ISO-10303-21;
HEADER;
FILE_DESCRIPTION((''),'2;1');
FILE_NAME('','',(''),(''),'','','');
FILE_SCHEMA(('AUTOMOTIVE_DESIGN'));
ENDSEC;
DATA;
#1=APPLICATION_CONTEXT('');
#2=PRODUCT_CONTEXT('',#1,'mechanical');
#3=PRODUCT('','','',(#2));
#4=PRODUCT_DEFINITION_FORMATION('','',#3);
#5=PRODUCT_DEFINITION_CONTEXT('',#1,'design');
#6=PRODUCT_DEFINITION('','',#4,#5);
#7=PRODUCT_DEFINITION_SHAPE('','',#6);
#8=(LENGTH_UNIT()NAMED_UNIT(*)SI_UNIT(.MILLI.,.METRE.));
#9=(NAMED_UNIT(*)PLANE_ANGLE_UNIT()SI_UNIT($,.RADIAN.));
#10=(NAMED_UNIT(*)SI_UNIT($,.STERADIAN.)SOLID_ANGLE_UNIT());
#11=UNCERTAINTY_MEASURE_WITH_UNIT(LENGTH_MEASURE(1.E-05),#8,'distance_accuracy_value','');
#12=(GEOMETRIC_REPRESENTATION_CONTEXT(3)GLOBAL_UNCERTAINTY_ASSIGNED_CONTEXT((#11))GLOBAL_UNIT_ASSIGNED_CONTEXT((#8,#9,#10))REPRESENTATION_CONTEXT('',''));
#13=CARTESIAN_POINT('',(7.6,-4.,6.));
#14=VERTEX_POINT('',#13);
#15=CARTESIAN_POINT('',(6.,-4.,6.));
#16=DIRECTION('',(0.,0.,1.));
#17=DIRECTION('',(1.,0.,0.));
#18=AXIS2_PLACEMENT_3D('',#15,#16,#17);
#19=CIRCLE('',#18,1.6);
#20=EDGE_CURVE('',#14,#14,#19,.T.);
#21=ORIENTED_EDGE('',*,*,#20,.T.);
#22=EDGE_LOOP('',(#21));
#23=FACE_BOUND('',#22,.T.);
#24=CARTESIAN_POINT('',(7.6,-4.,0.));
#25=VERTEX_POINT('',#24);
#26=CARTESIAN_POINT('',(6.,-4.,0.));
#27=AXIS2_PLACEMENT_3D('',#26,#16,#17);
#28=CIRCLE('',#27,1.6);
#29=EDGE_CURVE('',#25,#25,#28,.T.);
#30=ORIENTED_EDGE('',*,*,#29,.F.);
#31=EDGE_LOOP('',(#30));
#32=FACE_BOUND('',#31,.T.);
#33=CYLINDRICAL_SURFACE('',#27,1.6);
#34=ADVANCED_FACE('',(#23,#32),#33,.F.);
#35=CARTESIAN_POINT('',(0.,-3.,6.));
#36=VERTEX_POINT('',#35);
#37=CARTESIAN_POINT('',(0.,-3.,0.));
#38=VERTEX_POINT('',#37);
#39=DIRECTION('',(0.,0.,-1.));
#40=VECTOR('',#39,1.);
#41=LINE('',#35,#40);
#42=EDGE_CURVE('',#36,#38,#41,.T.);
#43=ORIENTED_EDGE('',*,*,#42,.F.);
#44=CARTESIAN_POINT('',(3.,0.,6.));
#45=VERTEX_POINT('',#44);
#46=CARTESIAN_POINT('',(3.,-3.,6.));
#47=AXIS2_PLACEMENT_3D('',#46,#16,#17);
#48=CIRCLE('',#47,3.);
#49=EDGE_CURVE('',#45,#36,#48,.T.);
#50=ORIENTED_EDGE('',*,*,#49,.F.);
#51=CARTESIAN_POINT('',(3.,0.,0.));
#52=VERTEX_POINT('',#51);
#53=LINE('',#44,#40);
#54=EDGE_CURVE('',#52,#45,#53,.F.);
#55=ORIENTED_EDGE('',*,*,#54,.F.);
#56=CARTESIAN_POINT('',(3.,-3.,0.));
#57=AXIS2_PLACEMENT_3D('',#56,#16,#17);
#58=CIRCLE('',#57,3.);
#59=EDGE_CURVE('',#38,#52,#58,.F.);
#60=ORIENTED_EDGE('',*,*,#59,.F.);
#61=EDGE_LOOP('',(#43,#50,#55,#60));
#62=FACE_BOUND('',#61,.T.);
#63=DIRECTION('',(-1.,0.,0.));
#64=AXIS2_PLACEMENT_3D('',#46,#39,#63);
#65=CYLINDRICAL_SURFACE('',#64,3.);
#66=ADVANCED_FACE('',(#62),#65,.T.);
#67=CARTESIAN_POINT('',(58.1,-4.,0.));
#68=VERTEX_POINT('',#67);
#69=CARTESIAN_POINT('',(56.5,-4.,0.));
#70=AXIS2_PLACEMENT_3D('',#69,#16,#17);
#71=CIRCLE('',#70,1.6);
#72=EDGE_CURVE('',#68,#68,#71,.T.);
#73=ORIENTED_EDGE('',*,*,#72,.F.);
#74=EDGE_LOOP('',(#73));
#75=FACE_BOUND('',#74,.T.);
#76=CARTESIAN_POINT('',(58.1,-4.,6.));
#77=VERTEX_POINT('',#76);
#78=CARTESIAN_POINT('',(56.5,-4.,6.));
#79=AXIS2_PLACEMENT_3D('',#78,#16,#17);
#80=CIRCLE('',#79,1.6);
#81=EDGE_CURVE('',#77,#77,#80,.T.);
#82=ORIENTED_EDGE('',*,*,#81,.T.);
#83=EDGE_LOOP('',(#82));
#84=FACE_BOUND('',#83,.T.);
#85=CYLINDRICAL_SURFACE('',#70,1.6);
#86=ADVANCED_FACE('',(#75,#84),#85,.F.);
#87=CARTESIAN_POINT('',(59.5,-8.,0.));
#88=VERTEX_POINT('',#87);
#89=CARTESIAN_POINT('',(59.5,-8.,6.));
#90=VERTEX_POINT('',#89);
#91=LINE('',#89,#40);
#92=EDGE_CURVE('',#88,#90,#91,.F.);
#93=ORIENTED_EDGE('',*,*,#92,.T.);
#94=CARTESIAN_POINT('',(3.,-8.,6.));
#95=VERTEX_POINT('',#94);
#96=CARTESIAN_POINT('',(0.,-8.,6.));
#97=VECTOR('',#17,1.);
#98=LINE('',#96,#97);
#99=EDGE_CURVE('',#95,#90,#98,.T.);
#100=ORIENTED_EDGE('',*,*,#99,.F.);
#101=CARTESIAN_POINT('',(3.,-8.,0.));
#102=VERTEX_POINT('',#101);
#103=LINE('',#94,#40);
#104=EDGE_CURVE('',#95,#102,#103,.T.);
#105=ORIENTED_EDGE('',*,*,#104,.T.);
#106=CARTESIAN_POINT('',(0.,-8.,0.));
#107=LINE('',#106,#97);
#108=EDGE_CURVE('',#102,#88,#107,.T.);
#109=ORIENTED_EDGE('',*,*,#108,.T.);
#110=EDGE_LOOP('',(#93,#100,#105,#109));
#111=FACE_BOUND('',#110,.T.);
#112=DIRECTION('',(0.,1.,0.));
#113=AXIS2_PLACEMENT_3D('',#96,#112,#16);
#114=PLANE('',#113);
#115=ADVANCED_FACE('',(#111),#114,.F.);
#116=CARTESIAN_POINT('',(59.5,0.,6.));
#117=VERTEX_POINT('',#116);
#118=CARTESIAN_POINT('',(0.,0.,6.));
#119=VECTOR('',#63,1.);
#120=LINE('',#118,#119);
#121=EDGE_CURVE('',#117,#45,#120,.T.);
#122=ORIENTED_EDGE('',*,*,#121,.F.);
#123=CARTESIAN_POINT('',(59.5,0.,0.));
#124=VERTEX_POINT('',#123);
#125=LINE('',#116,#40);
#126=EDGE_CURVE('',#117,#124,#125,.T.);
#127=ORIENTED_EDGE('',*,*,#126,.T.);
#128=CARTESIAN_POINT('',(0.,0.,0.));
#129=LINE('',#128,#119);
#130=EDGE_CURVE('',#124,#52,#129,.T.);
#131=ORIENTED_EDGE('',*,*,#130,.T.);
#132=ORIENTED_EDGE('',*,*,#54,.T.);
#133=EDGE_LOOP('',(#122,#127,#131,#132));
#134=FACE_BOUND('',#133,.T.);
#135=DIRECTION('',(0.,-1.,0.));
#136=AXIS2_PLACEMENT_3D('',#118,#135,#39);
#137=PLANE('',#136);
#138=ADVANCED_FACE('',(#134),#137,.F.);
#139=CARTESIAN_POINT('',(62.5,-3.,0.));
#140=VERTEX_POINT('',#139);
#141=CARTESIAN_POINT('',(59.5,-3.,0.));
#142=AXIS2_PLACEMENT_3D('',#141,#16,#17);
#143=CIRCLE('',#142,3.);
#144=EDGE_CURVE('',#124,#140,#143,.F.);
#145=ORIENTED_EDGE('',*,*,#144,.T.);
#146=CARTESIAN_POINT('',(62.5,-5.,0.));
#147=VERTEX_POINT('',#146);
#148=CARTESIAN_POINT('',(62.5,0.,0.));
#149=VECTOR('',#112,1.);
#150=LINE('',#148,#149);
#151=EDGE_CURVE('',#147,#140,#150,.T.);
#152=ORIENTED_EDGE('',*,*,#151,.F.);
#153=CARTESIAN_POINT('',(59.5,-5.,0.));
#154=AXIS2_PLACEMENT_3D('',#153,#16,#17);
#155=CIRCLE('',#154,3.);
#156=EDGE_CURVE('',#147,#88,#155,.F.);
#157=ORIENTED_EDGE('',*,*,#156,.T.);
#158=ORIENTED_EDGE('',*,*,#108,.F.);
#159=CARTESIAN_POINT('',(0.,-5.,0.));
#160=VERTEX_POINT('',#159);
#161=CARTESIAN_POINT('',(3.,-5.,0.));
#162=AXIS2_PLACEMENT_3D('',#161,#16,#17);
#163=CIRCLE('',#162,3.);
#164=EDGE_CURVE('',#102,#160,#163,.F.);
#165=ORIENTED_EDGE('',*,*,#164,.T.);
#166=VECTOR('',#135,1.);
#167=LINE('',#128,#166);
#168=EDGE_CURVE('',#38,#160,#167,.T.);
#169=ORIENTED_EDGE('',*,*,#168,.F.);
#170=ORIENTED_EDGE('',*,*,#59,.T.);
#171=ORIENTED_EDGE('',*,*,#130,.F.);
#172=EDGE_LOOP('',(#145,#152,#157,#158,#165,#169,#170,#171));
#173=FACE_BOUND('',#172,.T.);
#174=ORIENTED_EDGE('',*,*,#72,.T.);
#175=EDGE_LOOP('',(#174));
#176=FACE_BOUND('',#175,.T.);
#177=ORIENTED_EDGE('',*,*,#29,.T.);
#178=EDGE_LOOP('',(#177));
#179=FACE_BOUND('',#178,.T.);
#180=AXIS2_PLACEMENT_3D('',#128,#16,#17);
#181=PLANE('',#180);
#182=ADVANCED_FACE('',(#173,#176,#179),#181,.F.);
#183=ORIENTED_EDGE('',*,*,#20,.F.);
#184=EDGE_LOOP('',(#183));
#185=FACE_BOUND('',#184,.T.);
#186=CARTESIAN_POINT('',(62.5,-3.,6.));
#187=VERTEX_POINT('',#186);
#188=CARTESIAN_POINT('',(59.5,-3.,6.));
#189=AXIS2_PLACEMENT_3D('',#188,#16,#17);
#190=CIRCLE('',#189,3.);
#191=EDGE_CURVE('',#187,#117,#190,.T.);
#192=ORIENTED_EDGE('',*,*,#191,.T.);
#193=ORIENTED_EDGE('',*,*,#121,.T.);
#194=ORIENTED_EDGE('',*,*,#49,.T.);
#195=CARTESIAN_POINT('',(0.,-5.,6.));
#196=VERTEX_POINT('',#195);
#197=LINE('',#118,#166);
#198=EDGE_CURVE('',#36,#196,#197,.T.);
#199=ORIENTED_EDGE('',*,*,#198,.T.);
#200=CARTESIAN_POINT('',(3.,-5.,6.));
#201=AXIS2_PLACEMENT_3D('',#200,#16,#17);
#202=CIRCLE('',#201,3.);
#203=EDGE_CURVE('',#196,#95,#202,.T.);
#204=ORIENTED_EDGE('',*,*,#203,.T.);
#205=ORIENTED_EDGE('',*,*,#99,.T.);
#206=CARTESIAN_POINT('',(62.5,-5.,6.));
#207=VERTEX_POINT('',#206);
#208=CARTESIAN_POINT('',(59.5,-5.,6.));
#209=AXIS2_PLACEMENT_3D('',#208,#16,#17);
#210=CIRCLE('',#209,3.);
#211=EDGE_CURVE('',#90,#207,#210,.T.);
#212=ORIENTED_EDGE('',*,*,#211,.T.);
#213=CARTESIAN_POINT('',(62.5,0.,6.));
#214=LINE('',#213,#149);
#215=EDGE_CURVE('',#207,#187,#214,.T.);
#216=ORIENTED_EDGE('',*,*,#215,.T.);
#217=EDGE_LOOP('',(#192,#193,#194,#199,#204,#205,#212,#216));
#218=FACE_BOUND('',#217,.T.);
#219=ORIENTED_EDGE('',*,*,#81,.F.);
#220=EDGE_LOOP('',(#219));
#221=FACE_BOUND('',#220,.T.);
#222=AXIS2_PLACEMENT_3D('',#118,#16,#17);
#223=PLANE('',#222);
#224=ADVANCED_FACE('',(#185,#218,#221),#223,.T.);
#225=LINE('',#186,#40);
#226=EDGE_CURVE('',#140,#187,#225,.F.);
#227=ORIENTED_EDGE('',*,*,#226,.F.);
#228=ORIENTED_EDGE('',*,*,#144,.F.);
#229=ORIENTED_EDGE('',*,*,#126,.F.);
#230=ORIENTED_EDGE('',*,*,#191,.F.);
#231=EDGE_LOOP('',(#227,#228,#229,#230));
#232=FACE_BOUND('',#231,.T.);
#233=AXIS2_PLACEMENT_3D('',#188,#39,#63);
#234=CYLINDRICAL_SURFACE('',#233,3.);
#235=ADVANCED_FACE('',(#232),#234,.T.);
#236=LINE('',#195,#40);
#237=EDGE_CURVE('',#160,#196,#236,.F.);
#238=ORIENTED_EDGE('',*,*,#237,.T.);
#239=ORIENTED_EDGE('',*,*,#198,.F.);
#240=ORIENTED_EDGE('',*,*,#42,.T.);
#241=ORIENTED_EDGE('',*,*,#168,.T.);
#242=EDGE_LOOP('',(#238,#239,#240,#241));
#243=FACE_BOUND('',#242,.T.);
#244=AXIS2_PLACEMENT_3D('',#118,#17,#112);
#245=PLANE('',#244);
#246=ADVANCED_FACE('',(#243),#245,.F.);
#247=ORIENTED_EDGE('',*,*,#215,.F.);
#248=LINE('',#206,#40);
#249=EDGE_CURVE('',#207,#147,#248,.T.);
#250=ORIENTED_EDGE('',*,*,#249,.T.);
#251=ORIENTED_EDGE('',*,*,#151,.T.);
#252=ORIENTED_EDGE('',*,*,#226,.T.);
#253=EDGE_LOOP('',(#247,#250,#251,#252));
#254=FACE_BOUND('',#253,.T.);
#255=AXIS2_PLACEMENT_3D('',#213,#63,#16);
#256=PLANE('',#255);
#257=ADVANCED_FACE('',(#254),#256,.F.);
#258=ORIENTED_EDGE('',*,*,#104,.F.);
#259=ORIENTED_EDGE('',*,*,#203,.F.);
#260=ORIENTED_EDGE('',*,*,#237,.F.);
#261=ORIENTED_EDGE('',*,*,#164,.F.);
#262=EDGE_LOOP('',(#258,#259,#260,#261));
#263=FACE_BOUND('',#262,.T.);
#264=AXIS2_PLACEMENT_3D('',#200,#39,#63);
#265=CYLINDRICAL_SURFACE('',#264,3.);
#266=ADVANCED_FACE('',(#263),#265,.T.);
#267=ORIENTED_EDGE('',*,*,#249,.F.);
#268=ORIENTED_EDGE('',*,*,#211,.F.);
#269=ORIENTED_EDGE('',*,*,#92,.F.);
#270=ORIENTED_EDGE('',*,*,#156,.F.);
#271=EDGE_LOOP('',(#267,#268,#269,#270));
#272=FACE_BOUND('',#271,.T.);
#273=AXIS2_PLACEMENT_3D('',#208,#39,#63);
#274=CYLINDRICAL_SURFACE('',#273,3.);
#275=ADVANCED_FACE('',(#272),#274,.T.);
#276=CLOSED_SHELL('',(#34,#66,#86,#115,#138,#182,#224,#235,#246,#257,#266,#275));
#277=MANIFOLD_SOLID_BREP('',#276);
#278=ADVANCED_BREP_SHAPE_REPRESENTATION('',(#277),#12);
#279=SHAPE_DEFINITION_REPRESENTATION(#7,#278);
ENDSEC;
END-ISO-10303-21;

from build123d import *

# Parameters (mm, degrees)
SKETCH1_W           = 62.5
SKETCH1_H           = 8
BOSS_EXTRUDE1_DEPTH = 6
SKETCH2_R           = 1.6
CUT_EXTRUDE1_DEPTH  = 64.294944506
FILLET1_R           = 3


with BuildPart() as part:
    # Sketch1 → Boss-Extrude1 (new body)
    with BuildSketch(Plane.XY):
        with Locations((31.25, -4)):
            Rectangle(SKETCH1_W, SKETCH1_H)
    extrude(amount=BOSS_EXTRUDE1_DEPTH)

    # Sketch2 → Cut-Extrude1 (cut, through all)
    with BuildSketch(Plane.XY.offset(6)):
        with Locations((56.5, -4)):
            Circle(SKETCH2_R)
        with Locations((6, -4)):
            Circle(SKETCH2_R)
    extrude(amount=-CUT_EXTRUDE1_DEPTH, mode=Mode.SUBTRACT)

    # Fillet1
    fillet1_edges = [part.edges().sort_by_distance(p)[0] for p in [
        (0, 0, 3),
        (62.5, 0, 3),
        (62.5, -8, 3),
        (0, -8, 3),
    ]]
    fillet(fillet1_edges, radius=FILLET1_R)


solid = part.part
